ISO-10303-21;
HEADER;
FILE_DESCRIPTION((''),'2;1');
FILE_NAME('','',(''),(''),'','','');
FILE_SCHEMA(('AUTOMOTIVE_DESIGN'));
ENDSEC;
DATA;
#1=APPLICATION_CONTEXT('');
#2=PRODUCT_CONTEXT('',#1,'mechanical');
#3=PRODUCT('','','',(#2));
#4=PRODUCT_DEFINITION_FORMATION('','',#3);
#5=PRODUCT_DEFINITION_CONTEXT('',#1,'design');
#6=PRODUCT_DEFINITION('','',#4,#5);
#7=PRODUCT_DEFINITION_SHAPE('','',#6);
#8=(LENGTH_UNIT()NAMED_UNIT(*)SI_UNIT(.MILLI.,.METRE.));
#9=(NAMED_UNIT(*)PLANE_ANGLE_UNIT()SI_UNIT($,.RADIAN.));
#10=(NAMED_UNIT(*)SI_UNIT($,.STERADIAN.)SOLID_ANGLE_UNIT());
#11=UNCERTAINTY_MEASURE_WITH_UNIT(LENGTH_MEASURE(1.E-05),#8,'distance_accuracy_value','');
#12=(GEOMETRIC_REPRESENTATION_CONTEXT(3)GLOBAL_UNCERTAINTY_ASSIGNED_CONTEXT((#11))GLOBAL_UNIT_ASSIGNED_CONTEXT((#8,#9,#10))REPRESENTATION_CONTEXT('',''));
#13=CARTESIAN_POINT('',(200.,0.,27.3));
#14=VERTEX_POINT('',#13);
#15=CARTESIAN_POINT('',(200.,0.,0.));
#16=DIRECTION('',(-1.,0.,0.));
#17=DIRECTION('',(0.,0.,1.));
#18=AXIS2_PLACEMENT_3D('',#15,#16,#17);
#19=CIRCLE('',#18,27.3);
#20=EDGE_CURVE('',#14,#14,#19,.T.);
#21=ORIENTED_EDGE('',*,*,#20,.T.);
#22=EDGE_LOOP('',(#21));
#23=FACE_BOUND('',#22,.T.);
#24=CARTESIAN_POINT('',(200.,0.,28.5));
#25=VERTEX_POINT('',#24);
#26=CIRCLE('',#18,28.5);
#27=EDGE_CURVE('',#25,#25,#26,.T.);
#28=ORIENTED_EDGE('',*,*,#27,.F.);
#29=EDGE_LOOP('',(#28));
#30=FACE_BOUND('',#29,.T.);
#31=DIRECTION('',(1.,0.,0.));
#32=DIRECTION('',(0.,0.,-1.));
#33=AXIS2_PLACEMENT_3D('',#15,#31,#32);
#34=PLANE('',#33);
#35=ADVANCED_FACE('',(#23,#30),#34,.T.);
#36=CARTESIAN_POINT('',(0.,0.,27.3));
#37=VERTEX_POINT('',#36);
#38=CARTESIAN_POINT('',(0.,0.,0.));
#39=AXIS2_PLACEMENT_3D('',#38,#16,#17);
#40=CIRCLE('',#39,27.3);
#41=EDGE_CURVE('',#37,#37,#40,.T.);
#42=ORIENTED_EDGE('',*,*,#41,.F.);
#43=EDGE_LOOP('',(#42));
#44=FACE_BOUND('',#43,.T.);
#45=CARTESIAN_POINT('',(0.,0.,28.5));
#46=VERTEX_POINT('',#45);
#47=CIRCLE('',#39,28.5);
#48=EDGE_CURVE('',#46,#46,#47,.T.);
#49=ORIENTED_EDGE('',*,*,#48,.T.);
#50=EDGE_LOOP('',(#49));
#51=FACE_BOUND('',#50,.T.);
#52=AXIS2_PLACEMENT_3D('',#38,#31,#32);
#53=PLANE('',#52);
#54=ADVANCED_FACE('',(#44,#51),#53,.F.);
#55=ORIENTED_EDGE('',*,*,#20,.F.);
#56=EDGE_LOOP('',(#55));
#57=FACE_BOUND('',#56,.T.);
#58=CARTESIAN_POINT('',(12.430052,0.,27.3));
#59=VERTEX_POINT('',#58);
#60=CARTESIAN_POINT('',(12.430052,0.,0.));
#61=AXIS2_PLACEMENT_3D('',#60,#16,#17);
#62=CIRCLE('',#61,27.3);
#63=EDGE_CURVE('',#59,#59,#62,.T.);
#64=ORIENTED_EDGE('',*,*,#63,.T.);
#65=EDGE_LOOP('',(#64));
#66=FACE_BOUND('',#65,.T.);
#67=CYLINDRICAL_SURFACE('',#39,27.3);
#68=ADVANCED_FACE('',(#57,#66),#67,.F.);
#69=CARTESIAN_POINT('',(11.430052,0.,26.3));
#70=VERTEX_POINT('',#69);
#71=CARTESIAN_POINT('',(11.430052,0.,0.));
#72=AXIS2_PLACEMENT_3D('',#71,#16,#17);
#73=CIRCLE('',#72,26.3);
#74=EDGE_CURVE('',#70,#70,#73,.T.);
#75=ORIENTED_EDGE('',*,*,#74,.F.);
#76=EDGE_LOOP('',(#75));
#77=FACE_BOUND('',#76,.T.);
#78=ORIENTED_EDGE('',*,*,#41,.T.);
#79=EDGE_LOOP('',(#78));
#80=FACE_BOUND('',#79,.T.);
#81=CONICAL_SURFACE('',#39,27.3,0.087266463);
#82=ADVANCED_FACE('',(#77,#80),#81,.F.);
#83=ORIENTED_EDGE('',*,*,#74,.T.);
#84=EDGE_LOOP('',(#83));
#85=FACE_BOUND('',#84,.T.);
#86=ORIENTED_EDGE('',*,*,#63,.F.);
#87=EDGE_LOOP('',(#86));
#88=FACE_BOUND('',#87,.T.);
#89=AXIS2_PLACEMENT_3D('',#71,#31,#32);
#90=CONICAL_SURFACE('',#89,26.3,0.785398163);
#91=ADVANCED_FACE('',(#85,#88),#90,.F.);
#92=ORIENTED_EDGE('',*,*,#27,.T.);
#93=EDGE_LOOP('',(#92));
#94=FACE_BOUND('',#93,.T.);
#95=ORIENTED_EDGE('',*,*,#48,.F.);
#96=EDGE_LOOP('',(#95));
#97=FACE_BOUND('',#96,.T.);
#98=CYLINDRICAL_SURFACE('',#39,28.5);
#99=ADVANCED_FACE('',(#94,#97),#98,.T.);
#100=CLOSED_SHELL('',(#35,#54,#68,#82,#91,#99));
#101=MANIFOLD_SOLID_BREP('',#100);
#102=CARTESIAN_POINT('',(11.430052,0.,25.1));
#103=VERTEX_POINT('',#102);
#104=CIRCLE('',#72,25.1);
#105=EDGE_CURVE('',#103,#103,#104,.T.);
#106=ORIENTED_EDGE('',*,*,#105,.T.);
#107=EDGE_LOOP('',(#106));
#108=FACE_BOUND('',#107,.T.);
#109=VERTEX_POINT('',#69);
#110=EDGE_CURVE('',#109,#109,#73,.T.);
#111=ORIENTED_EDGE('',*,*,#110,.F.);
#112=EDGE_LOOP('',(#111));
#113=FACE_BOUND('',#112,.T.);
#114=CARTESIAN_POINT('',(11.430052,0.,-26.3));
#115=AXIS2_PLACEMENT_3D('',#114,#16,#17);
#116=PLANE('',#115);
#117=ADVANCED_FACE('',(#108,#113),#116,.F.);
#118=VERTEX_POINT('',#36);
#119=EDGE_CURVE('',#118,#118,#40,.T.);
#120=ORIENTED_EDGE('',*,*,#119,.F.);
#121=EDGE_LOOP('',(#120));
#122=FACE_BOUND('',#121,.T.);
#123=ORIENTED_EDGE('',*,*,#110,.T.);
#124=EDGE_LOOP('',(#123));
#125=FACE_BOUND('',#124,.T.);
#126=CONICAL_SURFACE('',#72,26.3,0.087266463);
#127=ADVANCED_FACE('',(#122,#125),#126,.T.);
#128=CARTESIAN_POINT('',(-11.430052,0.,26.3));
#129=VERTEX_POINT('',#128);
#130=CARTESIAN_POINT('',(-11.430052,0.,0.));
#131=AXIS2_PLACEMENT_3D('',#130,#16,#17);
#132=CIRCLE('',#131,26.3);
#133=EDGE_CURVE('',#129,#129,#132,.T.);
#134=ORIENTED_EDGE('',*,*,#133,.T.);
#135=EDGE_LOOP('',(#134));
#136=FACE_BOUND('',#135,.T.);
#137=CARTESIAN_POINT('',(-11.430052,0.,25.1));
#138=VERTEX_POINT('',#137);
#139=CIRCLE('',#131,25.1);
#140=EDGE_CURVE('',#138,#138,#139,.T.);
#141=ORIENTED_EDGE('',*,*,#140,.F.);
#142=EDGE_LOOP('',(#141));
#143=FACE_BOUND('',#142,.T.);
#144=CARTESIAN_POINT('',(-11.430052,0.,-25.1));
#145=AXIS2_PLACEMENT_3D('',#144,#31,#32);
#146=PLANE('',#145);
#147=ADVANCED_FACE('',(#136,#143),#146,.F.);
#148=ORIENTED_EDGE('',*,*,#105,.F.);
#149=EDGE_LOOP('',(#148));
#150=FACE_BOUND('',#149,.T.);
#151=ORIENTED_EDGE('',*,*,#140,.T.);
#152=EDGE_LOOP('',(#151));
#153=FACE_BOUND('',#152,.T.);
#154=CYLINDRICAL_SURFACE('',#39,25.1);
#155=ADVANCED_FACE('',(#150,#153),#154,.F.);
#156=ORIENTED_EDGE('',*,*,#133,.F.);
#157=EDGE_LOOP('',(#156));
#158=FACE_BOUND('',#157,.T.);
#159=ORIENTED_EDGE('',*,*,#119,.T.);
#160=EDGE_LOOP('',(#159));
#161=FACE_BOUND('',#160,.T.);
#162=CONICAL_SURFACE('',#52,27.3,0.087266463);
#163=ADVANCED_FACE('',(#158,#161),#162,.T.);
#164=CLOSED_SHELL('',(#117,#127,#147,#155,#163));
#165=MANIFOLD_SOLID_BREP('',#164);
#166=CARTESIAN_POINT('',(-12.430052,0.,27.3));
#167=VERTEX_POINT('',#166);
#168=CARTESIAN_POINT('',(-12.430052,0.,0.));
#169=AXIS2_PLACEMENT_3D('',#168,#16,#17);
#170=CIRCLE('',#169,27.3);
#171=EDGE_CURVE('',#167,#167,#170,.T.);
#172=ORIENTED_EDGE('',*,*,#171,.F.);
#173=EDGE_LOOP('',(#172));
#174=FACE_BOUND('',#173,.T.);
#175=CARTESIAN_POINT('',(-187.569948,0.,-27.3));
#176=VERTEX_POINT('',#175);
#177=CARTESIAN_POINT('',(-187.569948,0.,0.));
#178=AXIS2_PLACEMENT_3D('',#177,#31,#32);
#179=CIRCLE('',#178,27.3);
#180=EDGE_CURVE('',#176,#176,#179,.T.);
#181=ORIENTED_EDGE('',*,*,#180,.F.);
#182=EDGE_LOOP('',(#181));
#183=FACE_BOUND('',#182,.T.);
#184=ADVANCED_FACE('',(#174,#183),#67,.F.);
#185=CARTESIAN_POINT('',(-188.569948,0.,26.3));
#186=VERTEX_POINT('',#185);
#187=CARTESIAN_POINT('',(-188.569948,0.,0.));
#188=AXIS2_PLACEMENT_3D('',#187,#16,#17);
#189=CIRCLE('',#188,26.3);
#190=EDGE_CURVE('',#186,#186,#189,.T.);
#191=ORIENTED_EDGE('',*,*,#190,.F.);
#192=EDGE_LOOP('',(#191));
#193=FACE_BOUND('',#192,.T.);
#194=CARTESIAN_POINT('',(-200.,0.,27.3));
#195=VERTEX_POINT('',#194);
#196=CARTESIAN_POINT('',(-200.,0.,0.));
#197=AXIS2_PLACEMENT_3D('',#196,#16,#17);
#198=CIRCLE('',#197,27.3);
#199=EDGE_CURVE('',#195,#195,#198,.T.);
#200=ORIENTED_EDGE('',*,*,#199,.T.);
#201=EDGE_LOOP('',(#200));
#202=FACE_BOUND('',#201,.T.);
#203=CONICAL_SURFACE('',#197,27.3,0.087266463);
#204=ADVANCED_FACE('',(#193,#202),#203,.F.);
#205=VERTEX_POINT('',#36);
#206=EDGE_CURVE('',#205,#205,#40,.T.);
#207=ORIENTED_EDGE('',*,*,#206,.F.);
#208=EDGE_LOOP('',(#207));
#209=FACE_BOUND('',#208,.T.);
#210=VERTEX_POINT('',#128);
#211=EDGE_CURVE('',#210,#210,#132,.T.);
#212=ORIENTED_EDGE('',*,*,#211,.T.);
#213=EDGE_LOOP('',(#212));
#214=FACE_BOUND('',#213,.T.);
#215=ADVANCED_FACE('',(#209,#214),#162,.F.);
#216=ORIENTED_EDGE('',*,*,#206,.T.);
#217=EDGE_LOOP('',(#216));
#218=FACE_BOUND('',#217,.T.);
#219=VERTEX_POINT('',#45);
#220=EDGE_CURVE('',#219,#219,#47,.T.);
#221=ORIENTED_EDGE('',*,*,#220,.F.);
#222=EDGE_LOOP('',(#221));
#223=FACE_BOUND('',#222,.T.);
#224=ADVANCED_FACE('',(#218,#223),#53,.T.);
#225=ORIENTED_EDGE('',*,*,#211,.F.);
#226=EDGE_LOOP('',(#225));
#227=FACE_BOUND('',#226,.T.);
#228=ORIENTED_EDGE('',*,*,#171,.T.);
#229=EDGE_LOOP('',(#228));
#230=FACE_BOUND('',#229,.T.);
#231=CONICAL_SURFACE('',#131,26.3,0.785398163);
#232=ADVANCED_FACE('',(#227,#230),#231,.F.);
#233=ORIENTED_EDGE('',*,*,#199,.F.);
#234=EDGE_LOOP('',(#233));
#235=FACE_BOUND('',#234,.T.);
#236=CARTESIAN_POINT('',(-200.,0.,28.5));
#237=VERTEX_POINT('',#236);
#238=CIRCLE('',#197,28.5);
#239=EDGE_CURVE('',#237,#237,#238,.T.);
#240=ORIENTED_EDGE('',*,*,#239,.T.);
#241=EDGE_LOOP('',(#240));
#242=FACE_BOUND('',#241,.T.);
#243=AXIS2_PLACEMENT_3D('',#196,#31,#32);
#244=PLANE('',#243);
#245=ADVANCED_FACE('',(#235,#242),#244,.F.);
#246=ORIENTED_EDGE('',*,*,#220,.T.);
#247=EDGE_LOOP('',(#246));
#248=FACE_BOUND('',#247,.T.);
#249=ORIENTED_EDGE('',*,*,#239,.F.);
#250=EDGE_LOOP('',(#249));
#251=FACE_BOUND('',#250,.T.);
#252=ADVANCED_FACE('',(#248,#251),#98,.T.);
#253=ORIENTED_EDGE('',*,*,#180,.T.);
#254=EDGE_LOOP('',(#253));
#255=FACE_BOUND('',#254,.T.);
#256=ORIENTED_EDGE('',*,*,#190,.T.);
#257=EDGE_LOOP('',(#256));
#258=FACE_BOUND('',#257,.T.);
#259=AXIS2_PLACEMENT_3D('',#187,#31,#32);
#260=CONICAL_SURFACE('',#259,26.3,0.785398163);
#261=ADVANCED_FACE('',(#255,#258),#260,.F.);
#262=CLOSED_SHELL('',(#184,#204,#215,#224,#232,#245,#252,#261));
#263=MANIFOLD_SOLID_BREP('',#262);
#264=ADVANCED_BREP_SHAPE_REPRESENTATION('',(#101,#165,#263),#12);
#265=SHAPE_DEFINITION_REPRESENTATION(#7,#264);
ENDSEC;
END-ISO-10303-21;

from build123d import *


with BuildPart() as part:
    # Sketch2 → Revolve1 (revolve)
    with BuildSketch(Plane(origin=(0, 0, 0), x_dir=(1, 0, 0), z_dir=(0, 1, 0))):
        Polygon((200, 27.3), (200, 28.5), (0, 28.5), (0, 27.3), (11.430052303, 26.3), (12.430052303, 27.3), align=None)
    revolve(axis=Axis((0, 0, 0), (1, 0, 0)))


with BuildPart() as body_2:
    # Sketch2<3> → Revolve2 (revolve)
    with BuildSketch(Plane(origin=(0, 0, 0), x_dir=(1, 0, 0), z_dir=(0, 1, 0))):
        Polygon((0, 27.3), (0, 28.5), (-200, 28.5), (-200, 27.3), (-188.569947697, 26.3), (-187.569947697, 27.3), (-12.430052303, 27.3), (-11.430052303, 26.3), align=None)
    revolve(axis=Axis((0, 0, 0), (1, 0, 0)))


with BuildPart() as body_3:
    # Sketch3 → Revolve3 (revolve)
    with BuildSketch(Plane(origin=(0, 0, 0), x_dir=(1, 0, 0), z_dir=(0, 1, 0))):
        Polygon((-11.430052303, 26.3), (0, 27.3), (11.430052303, 26.3), (11.430052303, 25.1), (-11.430052303, 25.1), align=None)
    revolve(axis=Axis((0, 0, 0), (1, 0, 0)))


solid = Compound([part.part, body_2.part, body_3.part])
